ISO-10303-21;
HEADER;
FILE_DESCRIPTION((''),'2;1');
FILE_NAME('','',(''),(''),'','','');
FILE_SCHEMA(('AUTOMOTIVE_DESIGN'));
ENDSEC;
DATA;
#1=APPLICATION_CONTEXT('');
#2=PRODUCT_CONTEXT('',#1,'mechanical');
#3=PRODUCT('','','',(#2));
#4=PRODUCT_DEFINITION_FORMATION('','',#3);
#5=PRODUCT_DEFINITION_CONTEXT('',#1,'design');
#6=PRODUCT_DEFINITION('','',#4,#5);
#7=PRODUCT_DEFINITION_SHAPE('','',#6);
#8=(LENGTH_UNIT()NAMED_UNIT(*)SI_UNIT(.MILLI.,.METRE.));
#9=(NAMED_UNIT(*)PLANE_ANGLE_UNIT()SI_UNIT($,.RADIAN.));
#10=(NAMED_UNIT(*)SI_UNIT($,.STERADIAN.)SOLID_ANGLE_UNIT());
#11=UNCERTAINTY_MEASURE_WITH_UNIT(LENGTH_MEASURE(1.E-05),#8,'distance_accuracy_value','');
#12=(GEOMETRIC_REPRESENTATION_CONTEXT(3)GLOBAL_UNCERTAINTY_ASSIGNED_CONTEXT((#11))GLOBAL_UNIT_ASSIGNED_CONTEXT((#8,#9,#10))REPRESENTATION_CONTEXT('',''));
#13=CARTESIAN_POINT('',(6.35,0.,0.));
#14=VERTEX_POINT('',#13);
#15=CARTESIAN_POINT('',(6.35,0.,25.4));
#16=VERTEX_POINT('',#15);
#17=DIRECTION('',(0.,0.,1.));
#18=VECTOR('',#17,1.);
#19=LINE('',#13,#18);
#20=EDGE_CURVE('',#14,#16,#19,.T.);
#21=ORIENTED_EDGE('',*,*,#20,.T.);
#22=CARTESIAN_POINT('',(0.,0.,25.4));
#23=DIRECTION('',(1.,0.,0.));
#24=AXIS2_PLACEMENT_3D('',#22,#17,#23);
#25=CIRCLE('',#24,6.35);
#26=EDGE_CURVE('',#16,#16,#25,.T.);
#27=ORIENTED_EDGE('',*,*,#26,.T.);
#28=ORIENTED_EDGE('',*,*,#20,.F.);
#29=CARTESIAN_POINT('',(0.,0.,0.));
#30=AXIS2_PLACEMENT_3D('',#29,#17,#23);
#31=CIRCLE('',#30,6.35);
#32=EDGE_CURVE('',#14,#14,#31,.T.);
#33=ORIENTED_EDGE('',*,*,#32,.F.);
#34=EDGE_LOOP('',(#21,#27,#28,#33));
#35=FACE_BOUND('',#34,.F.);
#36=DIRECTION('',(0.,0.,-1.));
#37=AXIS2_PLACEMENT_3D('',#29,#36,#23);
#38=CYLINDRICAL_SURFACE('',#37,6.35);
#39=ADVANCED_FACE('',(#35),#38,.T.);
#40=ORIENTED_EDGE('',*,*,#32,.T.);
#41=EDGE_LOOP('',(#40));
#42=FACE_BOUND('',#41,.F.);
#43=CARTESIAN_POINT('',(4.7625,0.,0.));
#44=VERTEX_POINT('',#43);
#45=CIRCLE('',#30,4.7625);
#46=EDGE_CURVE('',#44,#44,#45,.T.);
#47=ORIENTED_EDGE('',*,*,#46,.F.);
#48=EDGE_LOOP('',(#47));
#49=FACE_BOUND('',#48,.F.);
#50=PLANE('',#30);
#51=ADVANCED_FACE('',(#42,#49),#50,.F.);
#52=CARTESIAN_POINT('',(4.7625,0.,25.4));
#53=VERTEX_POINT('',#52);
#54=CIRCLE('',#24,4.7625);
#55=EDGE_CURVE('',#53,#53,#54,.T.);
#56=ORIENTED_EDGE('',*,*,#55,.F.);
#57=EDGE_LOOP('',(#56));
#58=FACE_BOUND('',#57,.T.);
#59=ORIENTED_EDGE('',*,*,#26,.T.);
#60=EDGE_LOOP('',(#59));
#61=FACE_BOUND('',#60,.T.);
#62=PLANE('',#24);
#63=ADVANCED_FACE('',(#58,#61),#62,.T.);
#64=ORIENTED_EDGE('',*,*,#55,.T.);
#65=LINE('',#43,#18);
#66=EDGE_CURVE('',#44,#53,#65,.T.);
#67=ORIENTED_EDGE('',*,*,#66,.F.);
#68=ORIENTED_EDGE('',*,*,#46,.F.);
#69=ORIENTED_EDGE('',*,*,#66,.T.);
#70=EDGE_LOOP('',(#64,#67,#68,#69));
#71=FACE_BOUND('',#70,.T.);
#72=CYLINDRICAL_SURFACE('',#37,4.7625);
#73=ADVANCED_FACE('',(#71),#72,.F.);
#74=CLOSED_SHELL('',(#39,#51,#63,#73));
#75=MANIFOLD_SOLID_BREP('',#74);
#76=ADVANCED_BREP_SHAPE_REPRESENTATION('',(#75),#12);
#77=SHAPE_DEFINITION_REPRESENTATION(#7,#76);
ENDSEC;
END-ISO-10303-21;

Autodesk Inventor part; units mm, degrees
ref_plane "YZ Plane" through (0, 0, 0) normal (1, 0, 0) x (0, 1, 0)
ref_plane "XZ Plane" through (0, 0, 0) normal (0, 1, 0) x (-1, 0, 0)
ref_plane "XY Plane" through (0, 0, 0) normal (0, 0, 1) x (1, 0, 0)
sketch "Sketch1" plane through (0, 0, 0) normal (0, 0, 1) x (1, 0, 0)
  circle A0 centre (0, 0) radius 4.7625
  circle A1 centre (0, 0) radius 6.35
  dimension "d0" = 9.525
  dimension "d2" = 12.7
extrude "Extrusion1" add sketch "Sketch1" along normal blind 25.4
properties part number "M - 0.375 Aluminum Tube Spacer"
